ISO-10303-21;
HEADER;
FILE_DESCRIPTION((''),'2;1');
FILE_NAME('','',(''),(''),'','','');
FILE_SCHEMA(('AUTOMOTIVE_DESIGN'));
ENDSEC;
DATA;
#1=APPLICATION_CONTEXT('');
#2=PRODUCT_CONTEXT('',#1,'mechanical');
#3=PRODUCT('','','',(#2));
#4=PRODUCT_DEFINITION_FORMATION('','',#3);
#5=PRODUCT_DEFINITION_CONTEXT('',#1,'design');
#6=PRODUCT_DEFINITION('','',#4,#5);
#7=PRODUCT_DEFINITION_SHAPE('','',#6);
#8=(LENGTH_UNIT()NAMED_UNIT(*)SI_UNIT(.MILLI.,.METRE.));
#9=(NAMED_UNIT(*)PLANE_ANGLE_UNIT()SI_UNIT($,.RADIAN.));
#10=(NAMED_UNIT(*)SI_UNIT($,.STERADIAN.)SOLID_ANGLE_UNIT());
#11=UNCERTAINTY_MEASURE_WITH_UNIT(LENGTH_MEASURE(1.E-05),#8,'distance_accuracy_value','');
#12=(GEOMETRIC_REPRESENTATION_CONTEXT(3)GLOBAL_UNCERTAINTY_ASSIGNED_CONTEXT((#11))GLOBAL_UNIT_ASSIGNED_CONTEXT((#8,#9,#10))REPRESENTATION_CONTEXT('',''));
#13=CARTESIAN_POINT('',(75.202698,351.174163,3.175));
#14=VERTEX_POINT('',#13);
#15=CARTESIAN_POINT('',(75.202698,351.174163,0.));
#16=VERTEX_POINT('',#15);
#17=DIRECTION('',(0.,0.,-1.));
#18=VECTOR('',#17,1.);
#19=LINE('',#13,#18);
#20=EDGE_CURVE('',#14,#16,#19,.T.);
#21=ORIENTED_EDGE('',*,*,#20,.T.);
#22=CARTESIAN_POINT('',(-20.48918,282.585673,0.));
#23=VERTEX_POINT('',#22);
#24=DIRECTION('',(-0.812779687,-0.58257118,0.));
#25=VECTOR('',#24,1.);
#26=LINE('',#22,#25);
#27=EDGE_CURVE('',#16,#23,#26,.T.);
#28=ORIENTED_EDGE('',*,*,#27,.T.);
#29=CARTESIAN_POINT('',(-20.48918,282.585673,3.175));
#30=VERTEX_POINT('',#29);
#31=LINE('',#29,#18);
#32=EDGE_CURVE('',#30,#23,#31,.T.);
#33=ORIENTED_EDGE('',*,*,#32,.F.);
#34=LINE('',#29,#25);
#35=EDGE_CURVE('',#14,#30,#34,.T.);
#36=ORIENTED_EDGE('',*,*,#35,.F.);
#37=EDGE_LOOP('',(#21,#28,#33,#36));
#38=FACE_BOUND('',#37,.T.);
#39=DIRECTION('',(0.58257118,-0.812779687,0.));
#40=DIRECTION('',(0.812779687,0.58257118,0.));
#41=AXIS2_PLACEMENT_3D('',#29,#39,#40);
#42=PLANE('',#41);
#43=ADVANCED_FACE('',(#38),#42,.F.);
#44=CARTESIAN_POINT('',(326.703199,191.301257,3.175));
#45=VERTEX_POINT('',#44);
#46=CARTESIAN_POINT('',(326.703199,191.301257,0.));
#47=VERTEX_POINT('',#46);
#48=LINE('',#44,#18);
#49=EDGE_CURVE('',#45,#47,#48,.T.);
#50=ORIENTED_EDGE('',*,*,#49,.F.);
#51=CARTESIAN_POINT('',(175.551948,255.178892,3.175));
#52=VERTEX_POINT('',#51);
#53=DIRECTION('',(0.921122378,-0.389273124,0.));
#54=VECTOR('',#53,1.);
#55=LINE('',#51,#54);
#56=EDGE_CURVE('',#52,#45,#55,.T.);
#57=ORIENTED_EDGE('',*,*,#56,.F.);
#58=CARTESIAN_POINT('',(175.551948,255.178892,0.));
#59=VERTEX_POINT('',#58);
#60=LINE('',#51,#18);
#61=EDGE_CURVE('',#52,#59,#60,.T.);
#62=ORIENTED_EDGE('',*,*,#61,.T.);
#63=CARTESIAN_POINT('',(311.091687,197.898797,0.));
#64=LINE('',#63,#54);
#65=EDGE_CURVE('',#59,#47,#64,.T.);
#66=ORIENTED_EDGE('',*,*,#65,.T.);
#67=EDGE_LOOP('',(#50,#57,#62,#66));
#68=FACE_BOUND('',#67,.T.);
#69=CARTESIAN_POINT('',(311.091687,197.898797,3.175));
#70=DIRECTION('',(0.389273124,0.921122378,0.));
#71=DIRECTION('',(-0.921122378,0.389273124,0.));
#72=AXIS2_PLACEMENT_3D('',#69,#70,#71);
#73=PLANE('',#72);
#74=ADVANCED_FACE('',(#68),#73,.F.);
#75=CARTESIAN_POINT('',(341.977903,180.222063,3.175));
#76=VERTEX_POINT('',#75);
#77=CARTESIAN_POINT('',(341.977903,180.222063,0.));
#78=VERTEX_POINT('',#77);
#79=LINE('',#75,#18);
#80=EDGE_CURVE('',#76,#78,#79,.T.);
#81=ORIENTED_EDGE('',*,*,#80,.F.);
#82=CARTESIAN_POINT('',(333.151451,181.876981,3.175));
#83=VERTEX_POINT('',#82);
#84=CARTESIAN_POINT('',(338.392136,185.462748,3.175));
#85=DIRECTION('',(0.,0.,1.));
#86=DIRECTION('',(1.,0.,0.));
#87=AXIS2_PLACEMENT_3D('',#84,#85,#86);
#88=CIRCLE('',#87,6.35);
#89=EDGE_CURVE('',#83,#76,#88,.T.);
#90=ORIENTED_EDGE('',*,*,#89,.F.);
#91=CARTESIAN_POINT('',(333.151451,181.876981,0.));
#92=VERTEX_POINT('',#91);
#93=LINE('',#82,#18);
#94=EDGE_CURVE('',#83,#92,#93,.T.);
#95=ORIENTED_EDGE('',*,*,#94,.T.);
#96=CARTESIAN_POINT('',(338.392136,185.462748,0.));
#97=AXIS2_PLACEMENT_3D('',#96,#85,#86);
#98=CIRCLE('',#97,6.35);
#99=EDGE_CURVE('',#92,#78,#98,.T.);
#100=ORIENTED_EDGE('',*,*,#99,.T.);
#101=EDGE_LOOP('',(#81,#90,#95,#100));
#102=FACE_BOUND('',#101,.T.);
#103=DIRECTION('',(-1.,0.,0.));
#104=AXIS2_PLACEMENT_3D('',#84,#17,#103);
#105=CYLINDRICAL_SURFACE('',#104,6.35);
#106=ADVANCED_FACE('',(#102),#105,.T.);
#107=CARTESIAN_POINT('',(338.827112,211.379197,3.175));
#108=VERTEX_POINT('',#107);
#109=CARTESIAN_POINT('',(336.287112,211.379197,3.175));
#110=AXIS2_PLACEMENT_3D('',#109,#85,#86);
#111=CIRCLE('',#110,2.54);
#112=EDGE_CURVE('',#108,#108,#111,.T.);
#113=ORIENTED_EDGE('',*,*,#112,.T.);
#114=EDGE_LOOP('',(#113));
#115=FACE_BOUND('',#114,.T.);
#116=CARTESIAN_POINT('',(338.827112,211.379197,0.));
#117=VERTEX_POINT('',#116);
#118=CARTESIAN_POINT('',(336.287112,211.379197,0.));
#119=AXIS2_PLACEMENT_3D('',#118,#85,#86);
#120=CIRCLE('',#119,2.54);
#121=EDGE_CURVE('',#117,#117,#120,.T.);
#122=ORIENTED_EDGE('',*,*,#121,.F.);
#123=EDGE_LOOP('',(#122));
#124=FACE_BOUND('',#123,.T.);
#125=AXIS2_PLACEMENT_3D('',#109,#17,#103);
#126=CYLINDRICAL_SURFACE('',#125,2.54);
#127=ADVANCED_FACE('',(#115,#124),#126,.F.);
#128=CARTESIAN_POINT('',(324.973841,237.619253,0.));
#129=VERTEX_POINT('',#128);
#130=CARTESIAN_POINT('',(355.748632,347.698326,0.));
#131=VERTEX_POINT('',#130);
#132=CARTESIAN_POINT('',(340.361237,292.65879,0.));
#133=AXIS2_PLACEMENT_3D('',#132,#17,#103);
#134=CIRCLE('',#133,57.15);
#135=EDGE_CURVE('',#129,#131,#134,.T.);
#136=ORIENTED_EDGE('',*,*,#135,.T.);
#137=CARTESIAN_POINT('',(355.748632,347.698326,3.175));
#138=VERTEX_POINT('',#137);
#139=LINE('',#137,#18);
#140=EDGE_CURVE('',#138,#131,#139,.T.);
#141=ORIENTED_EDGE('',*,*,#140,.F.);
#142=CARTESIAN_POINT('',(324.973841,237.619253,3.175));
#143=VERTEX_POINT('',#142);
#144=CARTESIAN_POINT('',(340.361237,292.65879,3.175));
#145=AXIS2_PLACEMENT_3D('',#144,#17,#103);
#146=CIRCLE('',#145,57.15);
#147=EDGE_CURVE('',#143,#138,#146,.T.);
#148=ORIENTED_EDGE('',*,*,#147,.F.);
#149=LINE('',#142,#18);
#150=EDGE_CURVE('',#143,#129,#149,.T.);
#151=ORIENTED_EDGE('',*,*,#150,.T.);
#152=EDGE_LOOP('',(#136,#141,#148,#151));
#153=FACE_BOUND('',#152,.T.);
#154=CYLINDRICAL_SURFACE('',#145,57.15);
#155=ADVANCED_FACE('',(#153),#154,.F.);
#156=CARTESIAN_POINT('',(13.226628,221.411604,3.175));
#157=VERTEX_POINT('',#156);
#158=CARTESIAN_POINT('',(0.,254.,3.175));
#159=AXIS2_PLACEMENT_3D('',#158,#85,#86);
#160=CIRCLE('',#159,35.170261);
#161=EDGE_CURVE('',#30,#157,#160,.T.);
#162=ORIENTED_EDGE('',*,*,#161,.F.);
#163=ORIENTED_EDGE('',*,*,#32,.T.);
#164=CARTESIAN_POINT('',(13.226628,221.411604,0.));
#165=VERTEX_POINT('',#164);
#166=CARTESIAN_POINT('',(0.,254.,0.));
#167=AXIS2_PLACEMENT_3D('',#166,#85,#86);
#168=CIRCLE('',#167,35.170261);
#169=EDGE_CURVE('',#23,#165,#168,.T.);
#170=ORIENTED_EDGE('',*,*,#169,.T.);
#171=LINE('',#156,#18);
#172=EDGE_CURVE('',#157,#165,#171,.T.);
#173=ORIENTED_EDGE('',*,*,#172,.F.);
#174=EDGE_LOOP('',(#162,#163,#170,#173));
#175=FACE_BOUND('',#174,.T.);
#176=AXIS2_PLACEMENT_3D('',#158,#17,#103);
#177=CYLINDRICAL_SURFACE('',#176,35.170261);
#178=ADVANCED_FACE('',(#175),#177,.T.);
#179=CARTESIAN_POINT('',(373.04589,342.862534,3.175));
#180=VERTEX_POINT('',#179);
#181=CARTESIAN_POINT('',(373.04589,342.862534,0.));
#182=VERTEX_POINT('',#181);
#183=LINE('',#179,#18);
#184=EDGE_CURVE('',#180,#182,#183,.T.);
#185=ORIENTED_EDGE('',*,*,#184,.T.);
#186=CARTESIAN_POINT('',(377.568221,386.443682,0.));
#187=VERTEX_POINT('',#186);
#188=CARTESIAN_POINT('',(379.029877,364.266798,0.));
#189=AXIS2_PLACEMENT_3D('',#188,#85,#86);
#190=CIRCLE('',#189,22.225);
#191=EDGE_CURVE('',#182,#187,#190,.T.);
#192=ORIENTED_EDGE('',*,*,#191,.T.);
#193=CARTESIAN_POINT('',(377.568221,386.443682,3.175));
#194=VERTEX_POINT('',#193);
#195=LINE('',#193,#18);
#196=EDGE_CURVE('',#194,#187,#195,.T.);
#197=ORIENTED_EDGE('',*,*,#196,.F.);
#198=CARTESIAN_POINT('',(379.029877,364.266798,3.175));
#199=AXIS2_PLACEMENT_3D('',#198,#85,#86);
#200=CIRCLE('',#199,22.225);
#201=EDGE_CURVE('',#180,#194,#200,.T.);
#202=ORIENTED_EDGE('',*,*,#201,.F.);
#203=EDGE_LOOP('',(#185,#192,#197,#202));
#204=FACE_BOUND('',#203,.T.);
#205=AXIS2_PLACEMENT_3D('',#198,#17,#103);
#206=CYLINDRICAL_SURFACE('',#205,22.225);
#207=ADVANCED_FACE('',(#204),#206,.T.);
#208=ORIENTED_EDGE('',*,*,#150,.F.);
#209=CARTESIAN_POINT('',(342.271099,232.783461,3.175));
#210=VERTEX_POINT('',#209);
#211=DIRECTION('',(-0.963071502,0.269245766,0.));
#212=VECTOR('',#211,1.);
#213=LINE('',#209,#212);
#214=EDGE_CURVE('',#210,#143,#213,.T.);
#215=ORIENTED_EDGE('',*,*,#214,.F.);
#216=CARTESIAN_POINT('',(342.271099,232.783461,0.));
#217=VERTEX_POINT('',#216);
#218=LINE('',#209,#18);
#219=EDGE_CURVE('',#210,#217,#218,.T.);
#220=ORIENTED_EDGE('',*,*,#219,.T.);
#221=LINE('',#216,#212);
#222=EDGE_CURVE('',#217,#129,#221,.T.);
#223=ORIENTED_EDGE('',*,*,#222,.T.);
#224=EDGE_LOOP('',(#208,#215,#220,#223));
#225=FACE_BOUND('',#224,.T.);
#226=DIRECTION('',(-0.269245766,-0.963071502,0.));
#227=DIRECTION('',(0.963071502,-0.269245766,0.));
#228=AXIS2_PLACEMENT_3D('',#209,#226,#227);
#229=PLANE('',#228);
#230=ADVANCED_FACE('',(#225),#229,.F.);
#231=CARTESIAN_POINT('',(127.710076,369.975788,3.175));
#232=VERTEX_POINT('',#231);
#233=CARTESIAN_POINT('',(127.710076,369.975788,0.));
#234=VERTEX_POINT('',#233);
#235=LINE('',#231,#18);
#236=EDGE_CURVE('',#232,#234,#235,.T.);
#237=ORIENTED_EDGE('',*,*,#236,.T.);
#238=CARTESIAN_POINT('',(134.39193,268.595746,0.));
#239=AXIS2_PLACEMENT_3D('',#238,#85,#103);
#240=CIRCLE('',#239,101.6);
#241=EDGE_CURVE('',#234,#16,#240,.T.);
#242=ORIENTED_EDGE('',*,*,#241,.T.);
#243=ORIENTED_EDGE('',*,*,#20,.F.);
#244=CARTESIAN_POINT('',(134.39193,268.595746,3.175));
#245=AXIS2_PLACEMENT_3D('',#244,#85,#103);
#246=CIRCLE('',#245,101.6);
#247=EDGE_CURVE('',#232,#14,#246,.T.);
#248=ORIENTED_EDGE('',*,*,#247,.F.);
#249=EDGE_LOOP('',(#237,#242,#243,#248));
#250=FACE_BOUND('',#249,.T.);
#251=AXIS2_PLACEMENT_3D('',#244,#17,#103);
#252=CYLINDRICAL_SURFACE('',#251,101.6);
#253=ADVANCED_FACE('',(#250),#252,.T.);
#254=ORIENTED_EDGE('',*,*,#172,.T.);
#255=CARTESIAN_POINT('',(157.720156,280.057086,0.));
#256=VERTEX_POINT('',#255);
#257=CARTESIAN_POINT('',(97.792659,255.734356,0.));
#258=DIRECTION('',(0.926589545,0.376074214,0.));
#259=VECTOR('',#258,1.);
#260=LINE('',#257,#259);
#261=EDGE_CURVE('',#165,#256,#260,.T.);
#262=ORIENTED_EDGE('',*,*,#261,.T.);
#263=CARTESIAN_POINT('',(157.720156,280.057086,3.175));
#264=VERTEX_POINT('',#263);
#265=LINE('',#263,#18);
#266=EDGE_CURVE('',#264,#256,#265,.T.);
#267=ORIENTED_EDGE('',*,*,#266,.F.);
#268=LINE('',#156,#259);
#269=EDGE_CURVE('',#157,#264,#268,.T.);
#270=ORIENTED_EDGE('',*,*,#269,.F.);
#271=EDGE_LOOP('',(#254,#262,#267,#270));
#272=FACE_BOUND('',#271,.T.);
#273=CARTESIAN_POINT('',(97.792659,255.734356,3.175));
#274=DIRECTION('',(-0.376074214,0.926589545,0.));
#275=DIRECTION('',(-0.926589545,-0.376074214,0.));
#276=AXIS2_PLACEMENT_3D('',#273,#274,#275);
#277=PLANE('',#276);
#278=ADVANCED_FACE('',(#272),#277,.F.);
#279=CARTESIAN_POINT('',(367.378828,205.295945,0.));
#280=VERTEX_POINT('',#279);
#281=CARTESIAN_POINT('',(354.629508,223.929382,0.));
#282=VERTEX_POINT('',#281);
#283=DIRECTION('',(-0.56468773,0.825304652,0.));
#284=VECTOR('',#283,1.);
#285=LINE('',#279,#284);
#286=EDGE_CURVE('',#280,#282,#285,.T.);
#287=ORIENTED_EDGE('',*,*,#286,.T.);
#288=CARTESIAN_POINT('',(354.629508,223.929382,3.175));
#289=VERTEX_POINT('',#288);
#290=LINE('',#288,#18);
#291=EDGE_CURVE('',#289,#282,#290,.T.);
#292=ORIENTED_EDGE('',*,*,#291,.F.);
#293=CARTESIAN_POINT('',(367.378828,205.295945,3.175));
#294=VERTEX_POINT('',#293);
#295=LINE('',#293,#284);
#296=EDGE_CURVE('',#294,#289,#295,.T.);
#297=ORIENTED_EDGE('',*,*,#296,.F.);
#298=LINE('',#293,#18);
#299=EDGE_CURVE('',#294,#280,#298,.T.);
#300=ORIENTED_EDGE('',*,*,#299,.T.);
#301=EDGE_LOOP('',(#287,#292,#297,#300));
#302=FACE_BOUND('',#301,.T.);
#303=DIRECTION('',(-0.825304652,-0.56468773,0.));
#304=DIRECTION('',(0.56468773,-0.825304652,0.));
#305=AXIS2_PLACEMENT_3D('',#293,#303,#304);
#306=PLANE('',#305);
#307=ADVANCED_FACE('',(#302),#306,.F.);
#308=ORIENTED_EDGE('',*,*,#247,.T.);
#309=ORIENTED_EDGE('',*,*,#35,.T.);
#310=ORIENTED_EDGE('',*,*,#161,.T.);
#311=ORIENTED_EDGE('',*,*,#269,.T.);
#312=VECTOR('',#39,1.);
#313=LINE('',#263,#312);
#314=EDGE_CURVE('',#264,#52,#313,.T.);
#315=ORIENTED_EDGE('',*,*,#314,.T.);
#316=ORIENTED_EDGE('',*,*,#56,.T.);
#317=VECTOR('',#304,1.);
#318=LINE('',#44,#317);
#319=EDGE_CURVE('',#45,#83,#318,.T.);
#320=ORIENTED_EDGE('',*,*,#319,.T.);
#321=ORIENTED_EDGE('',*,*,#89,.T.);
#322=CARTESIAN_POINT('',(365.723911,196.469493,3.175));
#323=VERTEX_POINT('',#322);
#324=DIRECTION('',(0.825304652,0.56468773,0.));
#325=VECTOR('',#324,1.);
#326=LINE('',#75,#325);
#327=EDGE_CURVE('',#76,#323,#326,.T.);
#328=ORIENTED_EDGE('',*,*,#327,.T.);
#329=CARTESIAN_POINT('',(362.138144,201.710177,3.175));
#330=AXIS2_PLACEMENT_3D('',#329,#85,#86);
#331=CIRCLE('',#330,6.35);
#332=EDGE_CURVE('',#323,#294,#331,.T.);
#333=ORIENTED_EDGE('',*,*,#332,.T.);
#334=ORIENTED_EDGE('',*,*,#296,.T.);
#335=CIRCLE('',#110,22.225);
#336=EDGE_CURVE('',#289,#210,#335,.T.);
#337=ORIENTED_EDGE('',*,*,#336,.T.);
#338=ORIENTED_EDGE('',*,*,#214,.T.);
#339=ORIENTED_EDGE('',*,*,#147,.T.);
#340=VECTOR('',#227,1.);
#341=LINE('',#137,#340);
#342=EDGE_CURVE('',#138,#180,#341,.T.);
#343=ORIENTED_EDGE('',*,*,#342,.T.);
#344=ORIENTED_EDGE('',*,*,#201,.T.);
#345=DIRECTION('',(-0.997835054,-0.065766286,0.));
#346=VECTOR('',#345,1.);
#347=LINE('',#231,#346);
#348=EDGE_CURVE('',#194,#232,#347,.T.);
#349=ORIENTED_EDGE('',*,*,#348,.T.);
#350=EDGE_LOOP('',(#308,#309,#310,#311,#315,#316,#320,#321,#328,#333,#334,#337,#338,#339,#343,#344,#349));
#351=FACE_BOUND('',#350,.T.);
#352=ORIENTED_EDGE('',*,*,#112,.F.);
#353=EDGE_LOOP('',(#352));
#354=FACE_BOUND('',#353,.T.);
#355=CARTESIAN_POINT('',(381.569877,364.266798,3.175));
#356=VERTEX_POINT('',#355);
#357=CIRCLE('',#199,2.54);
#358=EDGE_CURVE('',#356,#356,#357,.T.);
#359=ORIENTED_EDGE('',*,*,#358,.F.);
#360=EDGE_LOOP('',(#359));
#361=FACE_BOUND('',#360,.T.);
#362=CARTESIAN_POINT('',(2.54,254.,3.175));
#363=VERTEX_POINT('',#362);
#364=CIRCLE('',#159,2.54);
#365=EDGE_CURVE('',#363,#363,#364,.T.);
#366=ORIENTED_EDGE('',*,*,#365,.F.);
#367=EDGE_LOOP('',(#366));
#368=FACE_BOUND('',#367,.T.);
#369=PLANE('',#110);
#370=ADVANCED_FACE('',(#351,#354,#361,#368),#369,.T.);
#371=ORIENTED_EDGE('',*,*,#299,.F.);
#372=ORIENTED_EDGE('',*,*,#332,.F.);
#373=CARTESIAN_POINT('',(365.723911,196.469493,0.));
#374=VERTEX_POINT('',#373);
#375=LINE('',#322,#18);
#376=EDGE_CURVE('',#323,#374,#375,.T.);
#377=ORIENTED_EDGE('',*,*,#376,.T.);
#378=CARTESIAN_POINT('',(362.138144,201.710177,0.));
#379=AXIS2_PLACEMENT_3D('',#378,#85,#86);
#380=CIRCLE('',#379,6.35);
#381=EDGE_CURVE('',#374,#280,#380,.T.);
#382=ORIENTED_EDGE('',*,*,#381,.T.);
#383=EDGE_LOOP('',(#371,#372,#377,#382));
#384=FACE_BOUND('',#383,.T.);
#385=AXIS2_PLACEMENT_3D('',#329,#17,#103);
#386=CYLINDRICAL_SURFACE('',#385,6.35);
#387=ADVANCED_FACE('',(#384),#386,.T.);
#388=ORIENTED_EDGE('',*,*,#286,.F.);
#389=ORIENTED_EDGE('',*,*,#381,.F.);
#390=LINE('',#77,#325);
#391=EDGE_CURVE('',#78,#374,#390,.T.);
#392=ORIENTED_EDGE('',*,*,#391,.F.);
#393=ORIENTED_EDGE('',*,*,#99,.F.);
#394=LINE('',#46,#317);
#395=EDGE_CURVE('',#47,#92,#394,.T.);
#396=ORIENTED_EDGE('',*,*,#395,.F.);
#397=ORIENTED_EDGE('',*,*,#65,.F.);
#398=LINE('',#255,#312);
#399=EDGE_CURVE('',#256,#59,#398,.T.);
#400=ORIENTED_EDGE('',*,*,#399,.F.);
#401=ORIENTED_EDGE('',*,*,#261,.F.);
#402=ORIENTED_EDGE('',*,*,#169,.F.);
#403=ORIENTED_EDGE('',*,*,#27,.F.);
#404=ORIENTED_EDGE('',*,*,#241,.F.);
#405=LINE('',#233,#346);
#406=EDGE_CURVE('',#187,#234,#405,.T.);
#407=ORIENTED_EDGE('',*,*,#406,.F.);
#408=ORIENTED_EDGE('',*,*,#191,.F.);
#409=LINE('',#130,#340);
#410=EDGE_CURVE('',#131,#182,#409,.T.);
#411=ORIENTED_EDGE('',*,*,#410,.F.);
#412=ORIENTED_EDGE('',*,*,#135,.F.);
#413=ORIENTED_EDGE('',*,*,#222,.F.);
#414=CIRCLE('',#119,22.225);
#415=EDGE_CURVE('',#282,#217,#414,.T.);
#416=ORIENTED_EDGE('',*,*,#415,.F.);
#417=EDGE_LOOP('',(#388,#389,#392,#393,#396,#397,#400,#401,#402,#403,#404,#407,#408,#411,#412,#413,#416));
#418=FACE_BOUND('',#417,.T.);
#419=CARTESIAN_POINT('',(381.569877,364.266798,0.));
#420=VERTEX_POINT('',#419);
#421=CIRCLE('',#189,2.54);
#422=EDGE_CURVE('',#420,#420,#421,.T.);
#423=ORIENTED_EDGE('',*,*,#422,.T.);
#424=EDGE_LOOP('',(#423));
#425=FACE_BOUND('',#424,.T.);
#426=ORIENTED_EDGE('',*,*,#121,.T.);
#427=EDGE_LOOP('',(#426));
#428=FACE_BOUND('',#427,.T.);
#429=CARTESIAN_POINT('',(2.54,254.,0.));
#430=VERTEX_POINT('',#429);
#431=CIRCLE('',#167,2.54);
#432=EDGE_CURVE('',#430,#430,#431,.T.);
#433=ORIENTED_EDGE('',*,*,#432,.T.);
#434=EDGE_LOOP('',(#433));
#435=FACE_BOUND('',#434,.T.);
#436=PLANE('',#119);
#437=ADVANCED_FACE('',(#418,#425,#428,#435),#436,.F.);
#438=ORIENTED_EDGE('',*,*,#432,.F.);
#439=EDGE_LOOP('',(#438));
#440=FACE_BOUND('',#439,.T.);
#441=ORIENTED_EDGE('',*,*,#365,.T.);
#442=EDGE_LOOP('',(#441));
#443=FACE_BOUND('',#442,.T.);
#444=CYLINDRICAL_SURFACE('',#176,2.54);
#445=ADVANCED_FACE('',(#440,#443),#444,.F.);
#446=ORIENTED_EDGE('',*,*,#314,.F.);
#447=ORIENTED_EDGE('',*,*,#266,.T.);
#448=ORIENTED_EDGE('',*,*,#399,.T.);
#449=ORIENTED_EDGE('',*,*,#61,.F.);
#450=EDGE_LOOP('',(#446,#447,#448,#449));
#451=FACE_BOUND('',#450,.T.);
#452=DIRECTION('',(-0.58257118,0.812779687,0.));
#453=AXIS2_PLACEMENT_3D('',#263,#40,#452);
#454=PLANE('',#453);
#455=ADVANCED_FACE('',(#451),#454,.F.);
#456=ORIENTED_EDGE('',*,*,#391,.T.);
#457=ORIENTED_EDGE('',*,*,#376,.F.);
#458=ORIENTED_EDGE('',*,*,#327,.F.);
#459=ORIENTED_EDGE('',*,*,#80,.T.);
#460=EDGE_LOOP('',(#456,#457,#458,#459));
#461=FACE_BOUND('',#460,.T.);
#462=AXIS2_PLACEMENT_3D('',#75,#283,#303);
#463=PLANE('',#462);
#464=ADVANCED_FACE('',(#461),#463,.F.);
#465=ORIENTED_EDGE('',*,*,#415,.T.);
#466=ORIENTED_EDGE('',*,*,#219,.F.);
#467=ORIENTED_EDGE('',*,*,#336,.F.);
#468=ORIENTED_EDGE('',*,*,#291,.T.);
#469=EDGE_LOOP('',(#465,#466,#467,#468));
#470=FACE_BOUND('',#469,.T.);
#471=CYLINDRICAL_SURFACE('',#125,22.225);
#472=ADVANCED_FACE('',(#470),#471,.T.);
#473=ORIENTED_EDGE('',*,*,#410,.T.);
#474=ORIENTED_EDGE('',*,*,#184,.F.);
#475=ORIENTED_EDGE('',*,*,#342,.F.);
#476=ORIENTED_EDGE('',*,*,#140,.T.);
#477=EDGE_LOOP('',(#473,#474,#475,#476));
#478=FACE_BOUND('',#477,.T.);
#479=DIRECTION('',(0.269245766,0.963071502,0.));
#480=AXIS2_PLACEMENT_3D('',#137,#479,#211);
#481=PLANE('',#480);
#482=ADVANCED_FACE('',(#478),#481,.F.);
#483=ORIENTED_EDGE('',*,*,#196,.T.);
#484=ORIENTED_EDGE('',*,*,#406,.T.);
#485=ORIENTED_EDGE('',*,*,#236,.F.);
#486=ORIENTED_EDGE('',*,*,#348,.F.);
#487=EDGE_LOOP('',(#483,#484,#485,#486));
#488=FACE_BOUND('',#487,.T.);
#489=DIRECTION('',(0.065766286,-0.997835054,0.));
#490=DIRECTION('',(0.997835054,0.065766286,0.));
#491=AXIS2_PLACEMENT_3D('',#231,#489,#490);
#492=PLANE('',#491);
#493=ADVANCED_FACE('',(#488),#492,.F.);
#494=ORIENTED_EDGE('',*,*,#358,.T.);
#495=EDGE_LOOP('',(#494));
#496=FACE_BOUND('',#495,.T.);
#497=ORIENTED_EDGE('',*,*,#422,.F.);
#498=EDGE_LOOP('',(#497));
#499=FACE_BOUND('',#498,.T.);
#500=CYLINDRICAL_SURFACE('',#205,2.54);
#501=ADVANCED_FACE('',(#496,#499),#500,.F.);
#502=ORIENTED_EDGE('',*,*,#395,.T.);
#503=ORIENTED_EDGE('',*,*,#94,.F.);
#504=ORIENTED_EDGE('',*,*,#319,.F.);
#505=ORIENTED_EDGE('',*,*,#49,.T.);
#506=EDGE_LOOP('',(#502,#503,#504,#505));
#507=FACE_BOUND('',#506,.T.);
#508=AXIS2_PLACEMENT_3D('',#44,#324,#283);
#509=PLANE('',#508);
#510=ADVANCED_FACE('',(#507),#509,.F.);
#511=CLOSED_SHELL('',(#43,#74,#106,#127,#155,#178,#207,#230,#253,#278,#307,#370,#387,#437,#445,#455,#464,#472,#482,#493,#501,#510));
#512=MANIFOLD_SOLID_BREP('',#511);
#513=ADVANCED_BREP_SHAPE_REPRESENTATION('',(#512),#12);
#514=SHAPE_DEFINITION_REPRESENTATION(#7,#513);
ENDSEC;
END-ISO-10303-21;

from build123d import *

# Parameters (mm, degrees)
SKETCH1_R           = 2.54
BOSS_EXTRUDE1_DEPTH = 3.175


with BuildPart() as part:
    # Sketch1 → Boss-Extrude1 (new body)
    with BuildSketch(Plane.XY):
        with BuildLine():
            Line((311.091686831, 197.898797126), (326.703198739, 191.301256821))
            Line((326.703198739, 191.301256821), (333.151451498, 181.876980863))
            ThreePointArc((333.151451498, 181.876980863), (337.221932682, 179.221504152), (341.977903119, 180.22206341))
            Line((341.977903119, 180.22206341), (365.723910723, 196.46949289))
            ThreePointArc((365.723910723, 196.46949289), (368.379387434, 200.539974074), (367.378828176, 205.295944512))
            Line((367.378828176, 205.295944512), (354.629507637, 223.929382055))
            ThreePointArc((354.629507637, 223.929382055), (349.230909811, 229.445982169), (342.271098909, 232.783461386))
            Line((342.271098909, 232.783461386), (324.973841412, 237.619253265))
            ThreePointArc((324.973841412, 237.619253265), (285.321700623, 308.046185122), (355.74863248, 347.698325911))
            Line((355.74863248, 347.698325911), (373.045889977, 342.862534033))
            ThreePointArc((373.045889977, 342.862534033), (401.136177569, 361.972870124), (377.568221423, 386.443682241))
            Line((377.568221423, 386.443682241), (127.710075685, 369.975787878))
            ThreePointArc((127.710075685, 369.975787878), (100.141013715, 364.248423846), (75.202698434, 351.174162585))
            Line((75.202698434, 351.174162585), (-20.489180282, 282.58567349))
            ThreePointArc((-20.489180282, 282.58567349), (-30.801832031, 237.023711212), (13.226628142, 221.411604128))
            Line((13.226628142, 221.411604128), (97.792658847, 255.734356495))
            Line((97.792658847, 255.734356495), (157.72015625, 280.057085564))
            Line((157.72015625, 280.057085564), (175.551948383, 255.17889226))
            Line((175.551948383, 255.17889226), (311.091686831, 197.898797126))
        make_face()
        with Locations((379.029877129, 364.266798159)):
            Circle(SKETCH1_R, mode=Mode.SUBTRACT)
        with Locations((336.287111757, 211.37919726)):
            Circle(SKETCH1_R, mode=Mode.SUBTRACT)
        with Locations((0, 254)):
            Circle(SKETCH1_R, mode=Mode.SUBTRACT)
    extrude(amount=BOSS_EXTRUDE1_DEPTH)


solid = part.part
